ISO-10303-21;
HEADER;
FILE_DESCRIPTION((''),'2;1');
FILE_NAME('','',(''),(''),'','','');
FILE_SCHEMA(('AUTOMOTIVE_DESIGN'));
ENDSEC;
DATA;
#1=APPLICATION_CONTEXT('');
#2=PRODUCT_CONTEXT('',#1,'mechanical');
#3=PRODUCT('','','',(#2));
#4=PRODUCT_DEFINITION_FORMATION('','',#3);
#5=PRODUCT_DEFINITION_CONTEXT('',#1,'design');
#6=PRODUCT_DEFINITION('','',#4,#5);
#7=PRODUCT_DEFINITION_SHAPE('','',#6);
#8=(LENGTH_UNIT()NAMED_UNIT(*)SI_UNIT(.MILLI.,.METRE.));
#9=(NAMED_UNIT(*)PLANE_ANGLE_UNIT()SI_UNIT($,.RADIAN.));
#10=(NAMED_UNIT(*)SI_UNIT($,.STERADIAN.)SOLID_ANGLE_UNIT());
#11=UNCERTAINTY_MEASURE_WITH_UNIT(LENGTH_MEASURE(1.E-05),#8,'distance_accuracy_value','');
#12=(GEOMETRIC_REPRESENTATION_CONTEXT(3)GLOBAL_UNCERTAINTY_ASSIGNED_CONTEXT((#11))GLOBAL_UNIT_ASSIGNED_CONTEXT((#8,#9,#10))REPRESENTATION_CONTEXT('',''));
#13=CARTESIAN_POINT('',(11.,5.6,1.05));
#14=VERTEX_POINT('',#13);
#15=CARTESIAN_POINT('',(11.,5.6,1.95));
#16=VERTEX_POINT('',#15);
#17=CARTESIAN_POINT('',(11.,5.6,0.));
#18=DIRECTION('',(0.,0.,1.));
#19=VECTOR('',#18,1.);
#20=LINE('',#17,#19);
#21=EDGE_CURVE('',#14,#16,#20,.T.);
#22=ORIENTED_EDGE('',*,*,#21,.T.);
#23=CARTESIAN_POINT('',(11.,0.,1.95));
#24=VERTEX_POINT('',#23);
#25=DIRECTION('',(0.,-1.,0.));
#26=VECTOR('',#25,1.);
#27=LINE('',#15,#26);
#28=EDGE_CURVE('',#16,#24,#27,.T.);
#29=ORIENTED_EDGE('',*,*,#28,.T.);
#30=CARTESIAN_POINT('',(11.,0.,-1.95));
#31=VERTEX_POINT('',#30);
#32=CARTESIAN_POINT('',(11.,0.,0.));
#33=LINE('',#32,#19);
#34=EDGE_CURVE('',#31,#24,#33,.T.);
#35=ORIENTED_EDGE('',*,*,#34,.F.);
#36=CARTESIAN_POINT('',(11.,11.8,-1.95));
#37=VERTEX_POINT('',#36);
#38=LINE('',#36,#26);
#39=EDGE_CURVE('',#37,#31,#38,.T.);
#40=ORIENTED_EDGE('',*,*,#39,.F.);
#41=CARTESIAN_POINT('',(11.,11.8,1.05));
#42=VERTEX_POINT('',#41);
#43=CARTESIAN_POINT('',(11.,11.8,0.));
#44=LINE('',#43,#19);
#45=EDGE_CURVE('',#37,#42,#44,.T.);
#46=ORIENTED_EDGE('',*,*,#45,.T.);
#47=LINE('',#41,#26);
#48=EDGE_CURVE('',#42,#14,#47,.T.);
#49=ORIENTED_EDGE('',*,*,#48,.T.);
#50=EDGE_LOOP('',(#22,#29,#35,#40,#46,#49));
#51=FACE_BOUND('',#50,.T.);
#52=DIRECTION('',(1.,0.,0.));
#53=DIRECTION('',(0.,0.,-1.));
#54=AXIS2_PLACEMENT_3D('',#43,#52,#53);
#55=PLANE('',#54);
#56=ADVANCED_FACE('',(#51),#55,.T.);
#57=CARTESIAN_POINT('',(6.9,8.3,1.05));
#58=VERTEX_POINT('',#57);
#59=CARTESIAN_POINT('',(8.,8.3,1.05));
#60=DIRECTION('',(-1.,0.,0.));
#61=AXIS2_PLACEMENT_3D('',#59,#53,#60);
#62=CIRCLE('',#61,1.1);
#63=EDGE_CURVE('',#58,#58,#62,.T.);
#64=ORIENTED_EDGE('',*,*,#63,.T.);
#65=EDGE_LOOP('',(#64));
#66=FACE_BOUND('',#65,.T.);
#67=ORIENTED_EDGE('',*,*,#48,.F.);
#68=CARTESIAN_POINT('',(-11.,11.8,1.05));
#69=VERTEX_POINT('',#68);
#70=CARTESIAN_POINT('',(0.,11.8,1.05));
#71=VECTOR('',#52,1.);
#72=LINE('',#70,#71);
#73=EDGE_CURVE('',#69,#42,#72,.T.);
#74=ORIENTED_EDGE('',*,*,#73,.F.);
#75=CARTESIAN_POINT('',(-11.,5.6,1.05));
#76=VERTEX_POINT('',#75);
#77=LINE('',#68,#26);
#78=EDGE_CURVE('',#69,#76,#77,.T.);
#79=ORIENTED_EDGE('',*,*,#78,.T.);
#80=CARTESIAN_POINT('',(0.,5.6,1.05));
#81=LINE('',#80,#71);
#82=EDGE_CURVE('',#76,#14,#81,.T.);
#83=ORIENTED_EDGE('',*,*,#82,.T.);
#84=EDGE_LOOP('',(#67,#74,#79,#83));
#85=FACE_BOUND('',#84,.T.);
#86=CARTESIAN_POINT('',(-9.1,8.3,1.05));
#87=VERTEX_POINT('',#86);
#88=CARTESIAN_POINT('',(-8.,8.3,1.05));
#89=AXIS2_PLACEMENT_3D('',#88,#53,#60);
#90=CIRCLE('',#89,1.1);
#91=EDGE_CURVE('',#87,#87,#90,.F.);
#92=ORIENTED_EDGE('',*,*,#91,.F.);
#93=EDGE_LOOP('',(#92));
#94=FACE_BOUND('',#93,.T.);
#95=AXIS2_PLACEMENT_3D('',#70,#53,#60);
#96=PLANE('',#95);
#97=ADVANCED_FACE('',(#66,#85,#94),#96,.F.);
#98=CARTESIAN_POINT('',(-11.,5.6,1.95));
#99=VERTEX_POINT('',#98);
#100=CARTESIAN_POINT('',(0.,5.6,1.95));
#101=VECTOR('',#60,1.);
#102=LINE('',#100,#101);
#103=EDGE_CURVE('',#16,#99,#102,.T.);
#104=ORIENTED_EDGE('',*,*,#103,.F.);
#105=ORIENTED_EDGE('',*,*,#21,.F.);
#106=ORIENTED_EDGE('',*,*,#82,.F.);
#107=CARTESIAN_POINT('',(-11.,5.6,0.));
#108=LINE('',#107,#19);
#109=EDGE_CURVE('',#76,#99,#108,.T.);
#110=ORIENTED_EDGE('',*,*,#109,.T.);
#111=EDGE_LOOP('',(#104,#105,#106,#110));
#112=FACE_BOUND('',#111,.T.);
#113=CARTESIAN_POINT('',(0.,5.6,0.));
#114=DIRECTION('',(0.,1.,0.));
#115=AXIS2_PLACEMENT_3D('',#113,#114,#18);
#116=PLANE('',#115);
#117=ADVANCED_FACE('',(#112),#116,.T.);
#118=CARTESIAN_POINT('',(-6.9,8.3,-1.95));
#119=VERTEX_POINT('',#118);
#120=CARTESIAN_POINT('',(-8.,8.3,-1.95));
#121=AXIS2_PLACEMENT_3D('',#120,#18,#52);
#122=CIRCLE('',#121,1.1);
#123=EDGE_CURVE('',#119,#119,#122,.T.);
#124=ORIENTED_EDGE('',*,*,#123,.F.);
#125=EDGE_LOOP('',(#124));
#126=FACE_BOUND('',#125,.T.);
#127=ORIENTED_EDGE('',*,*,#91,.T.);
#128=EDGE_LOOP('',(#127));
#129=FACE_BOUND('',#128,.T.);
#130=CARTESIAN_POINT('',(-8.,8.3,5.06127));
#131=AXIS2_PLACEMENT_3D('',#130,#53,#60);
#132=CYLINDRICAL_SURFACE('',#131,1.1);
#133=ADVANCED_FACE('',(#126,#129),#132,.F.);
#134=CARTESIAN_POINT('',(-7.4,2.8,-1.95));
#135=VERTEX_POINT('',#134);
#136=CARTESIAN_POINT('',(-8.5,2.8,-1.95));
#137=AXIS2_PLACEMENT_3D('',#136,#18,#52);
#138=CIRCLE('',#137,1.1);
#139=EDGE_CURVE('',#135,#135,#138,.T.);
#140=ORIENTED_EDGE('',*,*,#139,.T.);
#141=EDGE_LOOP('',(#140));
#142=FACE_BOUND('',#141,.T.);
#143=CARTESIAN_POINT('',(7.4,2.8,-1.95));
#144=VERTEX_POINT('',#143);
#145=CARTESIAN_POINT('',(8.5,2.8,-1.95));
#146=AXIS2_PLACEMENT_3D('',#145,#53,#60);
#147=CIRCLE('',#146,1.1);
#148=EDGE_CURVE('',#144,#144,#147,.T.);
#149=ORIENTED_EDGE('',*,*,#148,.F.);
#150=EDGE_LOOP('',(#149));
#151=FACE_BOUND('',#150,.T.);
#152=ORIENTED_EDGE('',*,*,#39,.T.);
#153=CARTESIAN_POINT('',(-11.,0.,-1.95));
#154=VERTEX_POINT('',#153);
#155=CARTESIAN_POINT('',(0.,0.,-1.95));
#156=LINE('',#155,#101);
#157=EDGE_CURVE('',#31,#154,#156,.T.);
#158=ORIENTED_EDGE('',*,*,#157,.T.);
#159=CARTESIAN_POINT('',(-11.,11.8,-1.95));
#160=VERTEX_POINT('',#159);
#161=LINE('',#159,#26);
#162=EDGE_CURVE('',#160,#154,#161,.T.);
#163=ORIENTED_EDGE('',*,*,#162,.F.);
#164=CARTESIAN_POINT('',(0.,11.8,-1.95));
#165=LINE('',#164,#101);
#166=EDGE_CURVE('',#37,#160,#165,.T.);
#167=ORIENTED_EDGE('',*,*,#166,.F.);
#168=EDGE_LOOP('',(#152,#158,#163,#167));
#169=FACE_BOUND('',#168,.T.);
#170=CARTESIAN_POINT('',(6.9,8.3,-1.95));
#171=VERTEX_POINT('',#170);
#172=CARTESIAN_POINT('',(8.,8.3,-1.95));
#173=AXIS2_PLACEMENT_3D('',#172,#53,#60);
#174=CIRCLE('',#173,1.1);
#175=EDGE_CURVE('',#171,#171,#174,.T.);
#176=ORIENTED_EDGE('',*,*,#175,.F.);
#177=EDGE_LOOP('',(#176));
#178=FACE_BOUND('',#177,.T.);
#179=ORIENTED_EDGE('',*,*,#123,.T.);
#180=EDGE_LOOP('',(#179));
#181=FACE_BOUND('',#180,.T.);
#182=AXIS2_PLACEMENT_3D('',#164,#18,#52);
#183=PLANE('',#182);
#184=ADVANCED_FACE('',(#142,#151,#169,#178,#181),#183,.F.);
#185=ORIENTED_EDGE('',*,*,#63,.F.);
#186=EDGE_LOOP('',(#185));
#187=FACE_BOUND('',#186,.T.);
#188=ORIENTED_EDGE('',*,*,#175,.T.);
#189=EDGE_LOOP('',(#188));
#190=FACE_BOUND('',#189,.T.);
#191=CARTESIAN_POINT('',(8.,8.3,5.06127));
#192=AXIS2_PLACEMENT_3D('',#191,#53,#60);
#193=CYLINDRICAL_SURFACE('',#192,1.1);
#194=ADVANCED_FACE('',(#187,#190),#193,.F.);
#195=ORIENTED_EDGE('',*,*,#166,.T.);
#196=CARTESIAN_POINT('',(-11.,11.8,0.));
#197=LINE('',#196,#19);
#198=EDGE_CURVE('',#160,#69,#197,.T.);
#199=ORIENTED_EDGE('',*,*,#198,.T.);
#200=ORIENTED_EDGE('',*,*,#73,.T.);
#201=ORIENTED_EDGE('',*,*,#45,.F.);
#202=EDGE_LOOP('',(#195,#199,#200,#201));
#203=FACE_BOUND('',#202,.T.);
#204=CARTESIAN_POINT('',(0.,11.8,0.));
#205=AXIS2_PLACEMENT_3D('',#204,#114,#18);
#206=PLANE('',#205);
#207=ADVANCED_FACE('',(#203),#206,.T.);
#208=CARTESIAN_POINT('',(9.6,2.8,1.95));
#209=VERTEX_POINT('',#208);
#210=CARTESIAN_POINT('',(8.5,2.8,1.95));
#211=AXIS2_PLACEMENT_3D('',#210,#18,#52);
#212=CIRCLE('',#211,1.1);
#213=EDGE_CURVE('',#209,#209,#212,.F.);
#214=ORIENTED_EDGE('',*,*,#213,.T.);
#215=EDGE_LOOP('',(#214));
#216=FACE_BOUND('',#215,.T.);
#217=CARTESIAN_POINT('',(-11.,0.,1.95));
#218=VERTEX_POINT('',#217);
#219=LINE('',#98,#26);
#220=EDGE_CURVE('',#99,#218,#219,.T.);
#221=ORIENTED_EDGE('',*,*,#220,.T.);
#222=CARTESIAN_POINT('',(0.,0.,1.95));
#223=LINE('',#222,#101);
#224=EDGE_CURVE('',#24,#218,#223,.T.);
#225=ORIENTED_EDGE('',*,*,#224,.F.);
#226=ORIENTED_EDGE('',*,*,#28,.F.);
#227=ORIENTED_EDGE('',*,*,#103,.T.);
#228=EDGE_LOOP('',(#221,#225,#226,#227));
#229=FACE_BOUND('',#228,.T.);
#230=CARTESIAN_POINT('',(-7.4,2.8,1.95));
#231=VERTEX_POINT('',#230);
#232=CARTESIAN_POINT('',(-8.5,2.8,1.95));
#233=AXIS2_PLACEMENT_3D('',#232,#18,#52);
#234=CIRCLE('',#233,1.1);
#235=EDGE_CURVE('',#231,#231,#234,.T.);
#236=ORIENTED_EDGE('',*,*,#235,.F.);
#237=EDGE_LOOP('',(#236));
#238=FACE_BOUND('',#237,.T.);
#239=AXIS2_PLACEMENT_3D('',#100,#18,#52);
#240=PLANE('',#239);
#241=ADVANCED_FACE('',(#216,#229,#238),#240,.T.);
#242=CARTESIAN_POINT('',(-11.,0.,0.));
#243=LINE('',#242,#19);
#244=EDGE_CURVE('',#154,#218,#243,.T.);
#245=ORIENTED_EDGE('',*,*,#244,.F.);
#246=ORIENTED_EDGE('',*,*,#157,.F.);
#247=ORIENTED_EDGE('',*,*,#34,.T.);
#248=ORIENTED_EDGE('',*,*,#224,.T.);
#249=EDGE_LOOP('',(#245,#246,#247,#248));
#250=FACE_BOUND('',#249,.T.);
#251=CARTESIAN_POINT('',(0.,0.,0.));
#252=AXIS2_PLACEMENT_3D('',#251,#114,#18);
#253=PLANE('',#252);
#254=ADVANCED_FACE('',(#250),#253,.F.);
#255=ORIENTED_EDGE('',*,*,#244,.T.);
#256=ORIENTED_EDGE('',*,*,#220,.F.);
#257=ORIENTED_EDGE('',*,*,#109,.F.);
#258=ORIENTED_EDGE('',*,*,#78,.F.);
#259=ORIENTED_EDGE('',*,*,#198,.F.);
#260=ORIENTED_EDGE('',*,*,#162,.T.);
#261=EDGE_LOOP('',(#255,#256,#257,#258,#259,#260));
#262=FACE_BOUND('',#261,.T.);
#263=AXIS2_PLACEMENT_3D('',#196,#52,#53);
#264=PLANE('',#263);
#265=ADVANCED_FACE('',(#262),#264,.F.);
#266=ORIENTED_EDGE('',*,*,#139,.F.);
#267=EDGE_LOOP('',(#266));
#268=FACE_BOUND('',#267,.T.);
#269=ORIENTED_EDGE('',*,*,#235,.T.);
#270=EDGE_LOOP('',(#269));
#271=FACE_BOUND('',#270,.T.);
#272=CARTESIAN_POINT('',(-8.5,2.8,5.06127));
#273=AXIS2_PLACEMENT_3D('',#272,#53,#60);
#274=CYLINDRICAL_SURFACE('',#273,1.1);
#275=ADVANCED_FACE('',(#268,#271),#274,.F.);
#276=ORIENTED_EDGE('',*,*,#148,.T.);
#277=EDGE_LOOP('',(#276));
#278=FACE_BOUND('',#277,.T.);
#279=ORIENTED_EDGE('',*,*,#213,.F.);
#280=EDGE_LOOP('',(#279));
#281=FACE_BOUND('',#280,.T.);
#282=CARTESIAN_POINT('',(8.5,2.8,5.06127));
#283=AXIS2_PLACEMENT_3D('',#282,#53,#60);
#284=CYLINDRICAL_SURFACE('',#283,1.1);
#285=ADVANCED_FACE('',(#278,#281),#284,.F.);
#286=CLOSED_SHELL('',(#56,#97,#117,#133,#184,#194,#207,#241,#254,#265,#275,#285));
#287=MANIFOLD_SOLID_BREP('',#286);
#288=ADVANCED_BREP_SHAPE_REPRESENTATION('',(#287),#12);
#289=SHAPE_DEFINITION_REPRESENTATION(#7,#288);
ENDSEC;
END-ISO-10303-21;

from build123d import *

# Parameters (mm, degrees)
SKETCH1_W           = 22
SKETCH1_H           = 3
BOSS_EXTRUDE1_DEPTH = 11.8
SKETCH1_3_W         = 22
SKETCH1_3_H         = 0.9
BOSS_EXTRUDE2_DEPTH = 5.6
CUT_EXTRUDE1_REACH  = 18.597
SKETCH2_R           = 1.1


with BuildPart() as part:
    # Sketch1 → Boss-Extrude1 (new body)
    with BuildSketch(Plane(origin=(0, 0, 0), x_dir=(1, 0, 0), z_dir=(0, 1, 0))):
        with Locations((0, 0.45)):
            Rectangle(SKETCH1_W, SKETCH1_H)
    extrude(amount=BOSS_EXTRUDE1_DEPTH)

    # Sketch1<3> → Boss-Extrude2 (add)
    with BuildSketch(Plane(origin=(0, 0, 0), x_dir=(1, 0, 0), z_dir=(0, 1, 0))):
        with Locations((0, -1.5)):
            Rectangle(SKETCH1_3_W, SKETCH1_3_H)
    extrude(amount=BOSS_EXTRUDE2_DEPTH)

    # Cut-Extrude1: up to this face of the body (flat: up to its plane)
    cut_extrude1_end = Plane(part.part.faces().sort_by_distance((0, 2.8, 1.95))[0])
    # Sketch2 → Cut-Extrude1 (cut, up to the picked face)
    with BuildSketch(Plane(origin=(0, 0, -1.95), x_dir=(-1, 0, 0), z_dir=(0, 0, -1)), mode=Mode.PRIVATE) as cut_extrude1_sk1:
        with Locations((-8.5, 2.8)):
            Circle(SKETCH2_R)
    cut_extrude1_tool1 = split(extrude(cut_extrude1_sk1.sketch, amount=-CUT_EXTRUDE1_REACH, mode=Mode.PRIVATE), bisect_by=cut_extrude1_end, keep=Keep.BOTH, mode=Mode.PRIVATE)
    # Sketch2 → Cut-Extrude1 (cut, up to the picked face)
    with BuildSketch(Plane(origin=(0, 0, -1.95), x_dir=(-1, 0, 0), z_dir=(0, 0, -1)), mode=Mode.PRIVATE) as cut_extrude1_sk2:
        with Locations((-8, 8.3)):
            Circle(SKETCH2_R)
    cut_extrude1_tool2 = split(extrude(cut_extrude1_sk2.sketch, amount=-CUT_EXTRUDE1_REACH, mode=Mode.PRIVATE), bisect_by=cut_extrude1_end, keep=Keep.BOTH, mode=Mode.PRIVATE)
    cut_extrude1_1 = cut_extrude1_tool1.solids().sort_by(Axis((8.5, 2.8, -1.95), (0, 0, 1)))[0]
    add(cut_extrude1_1, mode=Mode.SUBTRACT)
    cut_extrude1_2 = cut_extrude1_tool2.solids().sort_by(Axis((8, 8.3, -1.95), (0, 0, 1)))[0]
    add(cut_extrude1_2, mode=Mode.SUBTRACT)
    cut_extrude1 = cut_extrude1_1 + cut_extrude1_2  # Cut-Extrude1 as one shape, for the pattern or mirror that repeats it

    # Mirror1: Cut-Extrude1 across plane
    add(cut_extrude1.mirror(Plane(origin=(0, 0, 0), x_dir=(0, 0, 1), z_dir=(1, 0, 0))), mode=Mode.SUBTRACT)


solid = part.part
